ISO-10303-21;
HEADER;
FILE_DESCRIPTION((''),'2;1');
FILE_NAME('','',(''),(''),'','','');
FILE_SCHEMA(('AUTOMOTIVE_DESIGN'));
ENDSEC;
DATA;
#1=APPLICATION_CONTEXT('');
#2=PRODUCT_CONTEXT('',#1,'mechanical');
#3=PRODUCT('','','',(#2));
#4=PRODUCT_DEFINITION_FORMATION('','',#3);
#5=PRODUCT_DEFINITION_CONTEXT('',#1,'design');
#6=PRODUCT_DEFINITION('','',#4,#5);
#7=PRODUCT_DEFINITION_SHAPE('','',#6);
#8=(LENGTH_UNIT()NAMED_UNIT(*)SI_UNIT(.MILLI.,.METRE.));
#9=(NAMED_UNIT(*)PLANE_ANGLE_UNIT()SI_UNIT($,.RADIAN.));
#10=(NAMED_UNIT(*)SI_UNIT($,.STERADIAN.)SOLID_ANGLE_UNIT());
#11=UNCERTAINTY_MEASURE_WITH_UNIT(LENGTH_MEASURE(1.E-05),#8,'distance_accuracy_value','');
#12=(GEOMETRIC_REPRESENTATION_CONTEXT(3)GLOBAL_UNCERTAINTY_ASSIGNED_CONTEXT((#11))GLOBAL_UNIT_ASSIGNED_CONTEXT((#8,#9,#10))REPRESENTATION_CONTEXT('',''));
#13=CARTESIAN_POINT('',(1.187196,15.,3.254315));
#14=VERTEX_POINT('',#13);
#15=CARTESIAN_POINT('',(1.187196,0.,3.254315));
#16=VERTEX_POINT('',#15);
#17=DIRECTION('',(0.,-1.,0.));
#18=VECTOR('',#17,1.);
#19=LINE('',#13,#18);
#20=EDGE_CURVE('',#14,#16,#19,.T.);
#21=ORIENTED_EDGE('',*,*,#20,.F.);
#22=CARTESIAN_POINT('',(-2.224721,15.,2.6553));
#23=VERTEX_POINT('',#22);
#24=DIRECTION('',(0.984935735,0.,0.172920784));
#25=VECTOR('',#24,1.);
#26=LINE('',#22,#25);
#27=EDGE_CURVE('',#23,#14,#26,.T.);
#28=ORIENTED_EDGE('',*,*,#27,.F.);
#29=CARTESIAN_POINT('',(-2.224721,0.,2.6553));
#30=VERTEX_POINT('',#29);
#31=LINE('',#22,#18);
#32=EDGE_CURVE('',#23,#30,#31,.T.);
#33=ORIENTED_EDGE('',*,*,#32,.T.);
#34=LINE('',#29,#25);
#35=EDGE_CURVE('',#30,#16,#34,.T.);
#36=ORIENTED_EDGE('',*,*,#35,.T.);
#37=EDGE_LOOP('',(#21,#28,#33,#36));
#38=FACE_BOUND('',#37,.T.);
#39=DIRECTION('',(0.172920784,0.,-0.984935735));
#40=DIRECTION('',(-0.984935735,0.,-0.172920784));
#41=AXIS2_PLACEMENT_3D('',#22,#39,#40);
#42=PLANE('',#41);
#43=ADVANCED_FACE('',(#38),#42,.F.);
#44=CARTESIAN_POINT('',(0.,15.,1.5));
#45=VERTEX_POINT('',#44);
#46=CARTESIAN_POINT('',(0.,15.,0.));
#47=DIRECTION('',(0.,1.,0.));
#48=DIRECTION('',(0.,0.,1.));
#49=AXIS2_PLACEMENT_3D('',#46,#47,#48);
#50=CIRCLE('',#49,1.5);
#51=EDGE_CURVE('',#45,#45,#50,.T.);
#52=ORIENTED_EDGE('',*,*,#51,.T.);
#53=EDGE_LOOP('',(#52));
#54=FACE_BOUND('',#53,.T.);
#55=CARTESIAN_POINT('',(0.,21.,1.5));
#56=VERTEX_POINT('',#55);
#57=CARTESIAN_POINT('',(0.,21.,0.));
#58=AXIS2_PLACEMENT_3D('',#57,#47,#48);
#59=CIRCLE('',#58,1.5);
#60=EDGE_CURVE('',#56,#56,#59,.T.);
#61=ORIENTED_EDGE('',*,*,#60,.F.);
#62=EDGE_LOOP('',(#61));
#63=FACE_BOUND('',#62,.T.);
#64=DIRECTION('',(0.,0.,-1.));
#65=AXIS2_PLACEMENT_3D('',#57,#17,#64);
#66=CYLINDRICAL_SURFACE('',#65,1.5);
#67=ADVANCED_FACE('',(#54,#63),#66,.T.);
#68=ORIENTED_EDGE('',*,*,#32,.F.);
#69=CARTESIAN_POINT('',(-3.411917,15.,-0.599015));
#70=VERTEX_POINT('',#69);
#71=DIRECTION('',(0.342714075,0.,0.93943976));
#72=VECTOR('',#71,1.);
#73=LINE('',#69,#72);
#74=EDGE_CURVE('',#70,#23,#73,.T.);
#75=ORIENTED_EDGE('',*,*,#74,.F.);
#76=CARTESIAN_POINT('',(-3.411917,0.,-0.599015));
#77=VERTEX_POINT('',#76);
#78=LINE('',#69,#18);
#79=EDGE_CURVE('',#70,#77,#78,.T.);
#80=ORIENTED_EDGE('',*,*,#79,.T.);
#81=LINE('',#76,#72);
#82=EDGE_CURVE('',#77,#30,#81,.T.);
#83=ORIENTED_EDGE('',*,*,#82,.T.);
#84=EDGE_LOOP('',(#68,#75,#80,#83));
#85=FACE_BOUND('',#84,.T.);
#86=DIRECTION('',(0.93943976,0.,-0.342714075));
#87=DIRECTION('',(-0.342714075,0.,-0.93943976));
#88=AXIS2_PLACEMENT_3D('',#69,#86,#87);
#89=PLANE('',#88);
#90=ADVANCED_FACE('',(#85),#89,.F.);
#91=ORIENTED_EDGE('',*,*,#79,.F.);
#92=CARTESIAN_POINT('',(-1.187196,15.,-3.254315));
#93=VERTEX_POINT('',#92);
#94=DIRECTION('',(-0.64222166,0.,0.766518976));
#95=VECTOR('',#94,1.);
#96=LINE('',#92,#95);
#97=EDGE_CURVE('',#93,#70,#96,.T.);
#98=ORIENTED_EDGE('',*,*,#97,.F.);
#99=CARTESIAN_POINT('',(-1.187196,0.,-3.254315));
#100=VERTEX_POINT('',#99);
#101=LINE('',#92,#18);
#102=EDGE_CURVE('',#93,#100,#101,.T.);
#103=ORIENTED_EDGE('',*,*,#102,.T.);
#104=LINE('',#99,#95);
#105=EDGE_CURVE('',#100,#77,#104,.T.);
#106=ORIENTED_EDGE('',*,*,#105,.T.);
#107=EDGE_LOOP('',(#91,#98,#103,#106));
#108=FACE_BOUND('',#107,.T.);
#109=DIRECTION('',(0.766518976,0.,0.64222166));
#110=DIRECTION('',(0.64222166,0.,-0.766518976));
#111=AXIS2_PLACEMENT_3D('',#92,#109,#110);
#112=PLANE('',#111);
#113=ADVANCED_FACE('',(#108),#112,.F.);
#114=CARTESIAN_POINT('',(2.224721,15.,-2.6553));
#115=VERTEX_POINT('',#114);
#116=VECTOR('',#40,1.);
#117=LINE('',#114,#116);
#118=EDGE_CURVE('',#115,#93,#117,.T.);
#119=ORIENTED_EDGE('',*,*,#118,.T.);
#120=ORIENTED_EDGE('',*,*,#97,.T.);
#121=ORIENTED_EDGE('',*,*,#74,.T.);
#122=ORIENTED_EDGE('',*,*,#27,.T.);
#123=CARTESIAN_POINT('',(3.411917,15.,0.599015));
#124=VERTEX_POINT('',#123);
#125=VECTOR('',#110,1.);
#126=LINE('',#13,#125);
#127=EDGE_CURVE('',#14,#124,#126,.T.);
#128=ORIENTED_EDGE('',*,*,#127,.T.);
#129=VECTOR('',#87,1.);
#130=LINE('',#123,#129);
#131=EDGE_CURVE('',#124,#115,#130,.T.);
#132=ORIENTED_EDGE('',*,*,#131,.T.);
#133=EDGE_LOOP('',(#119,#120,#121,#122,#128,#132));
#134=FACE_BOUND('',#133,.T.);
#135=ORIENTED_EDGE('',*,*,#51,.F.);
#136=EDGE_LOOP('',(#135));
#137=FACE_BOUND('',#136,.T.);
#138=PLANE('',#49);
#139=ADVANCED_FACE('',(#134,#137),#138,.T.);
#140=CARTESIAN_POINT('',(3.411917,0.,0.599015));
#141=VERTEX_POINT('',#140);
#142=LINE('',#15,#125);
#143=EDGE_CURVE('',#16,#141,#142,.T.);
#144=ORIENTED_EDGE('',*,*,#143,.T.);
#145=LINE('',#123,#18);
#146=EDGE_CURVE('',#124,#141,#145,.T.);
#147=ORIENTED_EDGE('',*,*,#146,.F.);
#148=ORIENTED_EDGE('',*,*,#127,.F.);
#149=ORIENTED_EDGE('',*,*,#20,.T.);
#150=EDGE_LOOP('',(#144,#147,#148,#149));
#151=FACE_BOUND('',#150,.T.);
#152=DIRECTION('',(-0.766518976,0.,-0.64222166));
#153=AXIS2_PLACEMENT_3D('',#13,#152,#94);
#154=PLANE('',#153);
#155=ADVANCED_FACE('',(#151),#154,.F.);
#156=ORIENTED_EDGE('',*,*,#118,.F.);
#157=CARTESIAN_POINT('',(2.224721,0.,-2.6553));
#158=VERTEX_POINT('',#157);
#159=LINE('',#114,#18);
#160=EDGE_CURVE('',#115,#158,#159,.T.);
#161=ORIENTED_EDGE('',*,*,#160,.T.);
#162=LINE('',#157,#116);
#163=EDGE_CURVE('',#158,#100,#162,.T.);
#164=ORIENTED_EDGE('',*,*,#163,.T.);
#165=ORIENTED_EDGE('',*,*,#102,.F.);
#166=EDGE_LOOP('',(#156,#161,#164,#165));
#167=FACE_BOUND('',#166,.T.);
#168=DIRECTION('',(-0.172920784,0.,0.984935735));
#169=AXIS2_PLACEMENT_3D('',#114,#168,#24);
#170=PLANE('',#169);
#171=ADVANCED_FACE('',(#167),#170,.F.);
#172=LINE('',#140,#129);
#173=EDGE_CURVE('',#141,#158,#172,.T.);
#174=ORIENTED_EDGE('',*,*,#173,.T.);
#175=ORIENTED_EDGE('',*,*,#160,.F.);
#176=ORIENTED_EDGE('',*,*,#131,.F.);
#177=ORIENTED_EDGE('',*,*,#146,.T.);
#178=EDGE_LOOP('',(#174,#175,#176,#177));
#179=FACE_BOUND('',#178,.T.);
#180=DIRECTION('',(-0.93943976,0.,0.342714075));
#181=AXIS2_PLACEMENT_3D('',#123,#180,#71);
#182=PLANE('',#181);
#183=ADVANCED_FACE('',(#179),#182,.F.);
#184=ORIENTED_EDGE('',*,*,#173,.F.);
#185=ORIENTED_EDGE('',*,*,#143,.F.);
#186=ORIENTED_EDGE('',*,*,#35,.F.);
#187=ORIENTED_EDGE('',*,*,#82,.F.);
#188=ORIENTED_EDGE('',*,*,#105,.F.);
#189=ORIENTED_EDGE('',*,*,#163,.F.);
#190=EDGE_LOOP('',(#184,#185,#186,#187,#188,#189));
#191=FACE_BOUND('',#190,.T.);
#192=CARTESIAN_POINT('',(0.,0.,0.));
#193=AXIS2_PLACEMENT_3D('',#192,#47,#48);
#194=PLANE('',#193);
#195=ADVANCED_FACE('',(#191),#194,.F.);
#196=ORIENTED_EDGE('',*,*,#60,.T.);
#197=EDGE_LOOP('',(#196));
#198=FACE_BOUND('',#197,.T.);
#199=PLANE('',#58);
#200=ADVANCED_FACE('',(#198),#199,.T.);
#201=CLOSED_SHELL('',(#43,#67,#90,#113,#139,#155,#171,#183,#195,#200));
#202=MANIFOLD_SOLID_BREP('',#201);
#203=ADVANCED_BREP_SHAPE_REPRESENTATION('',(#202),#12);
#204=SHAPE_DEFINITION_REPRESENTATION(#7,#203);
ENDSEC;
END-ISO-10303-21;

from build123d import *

# Parameters (mm, degrees)
EXTRUDE_1_DEPTH = 15
SKETCH_2_R      = 1.5
EXTRUDE_2_DEPTH = 6


with BuildPart() as part:
    # 草图1 → 凸台-拉伸1 (new body)
    with BuildSketch(Plane(origin=(0, 0, 0), x_dir=(1, 0, 0), z_dir=(0, 1, 0))):
        Polygon((1.187196382, -3.25431479), (3.411917471, -0.599015168), (2.224721088, 2.655299621), (-1.187196382, 3.25431479), (-3.411917471, 0.599015168), (-2.224721088, -2.655299621), align=None)
    extrude(amount=EXTRUDE_1_DEPTH)

    # 草图2 → 凸台-拉伸2 (add)
    with BuildSketch(Plane(origin=(0, 15, 0), x_dir=(1, 0, 0), z_dir=(0, 1, 0))):
        with Locations(Location((0, 0, 0), (0, 0, 270))):
            Circle(SKETCH_2_R)
    extrude(amount=EXTRUDE_2_DEPTH)


solid = part.part
